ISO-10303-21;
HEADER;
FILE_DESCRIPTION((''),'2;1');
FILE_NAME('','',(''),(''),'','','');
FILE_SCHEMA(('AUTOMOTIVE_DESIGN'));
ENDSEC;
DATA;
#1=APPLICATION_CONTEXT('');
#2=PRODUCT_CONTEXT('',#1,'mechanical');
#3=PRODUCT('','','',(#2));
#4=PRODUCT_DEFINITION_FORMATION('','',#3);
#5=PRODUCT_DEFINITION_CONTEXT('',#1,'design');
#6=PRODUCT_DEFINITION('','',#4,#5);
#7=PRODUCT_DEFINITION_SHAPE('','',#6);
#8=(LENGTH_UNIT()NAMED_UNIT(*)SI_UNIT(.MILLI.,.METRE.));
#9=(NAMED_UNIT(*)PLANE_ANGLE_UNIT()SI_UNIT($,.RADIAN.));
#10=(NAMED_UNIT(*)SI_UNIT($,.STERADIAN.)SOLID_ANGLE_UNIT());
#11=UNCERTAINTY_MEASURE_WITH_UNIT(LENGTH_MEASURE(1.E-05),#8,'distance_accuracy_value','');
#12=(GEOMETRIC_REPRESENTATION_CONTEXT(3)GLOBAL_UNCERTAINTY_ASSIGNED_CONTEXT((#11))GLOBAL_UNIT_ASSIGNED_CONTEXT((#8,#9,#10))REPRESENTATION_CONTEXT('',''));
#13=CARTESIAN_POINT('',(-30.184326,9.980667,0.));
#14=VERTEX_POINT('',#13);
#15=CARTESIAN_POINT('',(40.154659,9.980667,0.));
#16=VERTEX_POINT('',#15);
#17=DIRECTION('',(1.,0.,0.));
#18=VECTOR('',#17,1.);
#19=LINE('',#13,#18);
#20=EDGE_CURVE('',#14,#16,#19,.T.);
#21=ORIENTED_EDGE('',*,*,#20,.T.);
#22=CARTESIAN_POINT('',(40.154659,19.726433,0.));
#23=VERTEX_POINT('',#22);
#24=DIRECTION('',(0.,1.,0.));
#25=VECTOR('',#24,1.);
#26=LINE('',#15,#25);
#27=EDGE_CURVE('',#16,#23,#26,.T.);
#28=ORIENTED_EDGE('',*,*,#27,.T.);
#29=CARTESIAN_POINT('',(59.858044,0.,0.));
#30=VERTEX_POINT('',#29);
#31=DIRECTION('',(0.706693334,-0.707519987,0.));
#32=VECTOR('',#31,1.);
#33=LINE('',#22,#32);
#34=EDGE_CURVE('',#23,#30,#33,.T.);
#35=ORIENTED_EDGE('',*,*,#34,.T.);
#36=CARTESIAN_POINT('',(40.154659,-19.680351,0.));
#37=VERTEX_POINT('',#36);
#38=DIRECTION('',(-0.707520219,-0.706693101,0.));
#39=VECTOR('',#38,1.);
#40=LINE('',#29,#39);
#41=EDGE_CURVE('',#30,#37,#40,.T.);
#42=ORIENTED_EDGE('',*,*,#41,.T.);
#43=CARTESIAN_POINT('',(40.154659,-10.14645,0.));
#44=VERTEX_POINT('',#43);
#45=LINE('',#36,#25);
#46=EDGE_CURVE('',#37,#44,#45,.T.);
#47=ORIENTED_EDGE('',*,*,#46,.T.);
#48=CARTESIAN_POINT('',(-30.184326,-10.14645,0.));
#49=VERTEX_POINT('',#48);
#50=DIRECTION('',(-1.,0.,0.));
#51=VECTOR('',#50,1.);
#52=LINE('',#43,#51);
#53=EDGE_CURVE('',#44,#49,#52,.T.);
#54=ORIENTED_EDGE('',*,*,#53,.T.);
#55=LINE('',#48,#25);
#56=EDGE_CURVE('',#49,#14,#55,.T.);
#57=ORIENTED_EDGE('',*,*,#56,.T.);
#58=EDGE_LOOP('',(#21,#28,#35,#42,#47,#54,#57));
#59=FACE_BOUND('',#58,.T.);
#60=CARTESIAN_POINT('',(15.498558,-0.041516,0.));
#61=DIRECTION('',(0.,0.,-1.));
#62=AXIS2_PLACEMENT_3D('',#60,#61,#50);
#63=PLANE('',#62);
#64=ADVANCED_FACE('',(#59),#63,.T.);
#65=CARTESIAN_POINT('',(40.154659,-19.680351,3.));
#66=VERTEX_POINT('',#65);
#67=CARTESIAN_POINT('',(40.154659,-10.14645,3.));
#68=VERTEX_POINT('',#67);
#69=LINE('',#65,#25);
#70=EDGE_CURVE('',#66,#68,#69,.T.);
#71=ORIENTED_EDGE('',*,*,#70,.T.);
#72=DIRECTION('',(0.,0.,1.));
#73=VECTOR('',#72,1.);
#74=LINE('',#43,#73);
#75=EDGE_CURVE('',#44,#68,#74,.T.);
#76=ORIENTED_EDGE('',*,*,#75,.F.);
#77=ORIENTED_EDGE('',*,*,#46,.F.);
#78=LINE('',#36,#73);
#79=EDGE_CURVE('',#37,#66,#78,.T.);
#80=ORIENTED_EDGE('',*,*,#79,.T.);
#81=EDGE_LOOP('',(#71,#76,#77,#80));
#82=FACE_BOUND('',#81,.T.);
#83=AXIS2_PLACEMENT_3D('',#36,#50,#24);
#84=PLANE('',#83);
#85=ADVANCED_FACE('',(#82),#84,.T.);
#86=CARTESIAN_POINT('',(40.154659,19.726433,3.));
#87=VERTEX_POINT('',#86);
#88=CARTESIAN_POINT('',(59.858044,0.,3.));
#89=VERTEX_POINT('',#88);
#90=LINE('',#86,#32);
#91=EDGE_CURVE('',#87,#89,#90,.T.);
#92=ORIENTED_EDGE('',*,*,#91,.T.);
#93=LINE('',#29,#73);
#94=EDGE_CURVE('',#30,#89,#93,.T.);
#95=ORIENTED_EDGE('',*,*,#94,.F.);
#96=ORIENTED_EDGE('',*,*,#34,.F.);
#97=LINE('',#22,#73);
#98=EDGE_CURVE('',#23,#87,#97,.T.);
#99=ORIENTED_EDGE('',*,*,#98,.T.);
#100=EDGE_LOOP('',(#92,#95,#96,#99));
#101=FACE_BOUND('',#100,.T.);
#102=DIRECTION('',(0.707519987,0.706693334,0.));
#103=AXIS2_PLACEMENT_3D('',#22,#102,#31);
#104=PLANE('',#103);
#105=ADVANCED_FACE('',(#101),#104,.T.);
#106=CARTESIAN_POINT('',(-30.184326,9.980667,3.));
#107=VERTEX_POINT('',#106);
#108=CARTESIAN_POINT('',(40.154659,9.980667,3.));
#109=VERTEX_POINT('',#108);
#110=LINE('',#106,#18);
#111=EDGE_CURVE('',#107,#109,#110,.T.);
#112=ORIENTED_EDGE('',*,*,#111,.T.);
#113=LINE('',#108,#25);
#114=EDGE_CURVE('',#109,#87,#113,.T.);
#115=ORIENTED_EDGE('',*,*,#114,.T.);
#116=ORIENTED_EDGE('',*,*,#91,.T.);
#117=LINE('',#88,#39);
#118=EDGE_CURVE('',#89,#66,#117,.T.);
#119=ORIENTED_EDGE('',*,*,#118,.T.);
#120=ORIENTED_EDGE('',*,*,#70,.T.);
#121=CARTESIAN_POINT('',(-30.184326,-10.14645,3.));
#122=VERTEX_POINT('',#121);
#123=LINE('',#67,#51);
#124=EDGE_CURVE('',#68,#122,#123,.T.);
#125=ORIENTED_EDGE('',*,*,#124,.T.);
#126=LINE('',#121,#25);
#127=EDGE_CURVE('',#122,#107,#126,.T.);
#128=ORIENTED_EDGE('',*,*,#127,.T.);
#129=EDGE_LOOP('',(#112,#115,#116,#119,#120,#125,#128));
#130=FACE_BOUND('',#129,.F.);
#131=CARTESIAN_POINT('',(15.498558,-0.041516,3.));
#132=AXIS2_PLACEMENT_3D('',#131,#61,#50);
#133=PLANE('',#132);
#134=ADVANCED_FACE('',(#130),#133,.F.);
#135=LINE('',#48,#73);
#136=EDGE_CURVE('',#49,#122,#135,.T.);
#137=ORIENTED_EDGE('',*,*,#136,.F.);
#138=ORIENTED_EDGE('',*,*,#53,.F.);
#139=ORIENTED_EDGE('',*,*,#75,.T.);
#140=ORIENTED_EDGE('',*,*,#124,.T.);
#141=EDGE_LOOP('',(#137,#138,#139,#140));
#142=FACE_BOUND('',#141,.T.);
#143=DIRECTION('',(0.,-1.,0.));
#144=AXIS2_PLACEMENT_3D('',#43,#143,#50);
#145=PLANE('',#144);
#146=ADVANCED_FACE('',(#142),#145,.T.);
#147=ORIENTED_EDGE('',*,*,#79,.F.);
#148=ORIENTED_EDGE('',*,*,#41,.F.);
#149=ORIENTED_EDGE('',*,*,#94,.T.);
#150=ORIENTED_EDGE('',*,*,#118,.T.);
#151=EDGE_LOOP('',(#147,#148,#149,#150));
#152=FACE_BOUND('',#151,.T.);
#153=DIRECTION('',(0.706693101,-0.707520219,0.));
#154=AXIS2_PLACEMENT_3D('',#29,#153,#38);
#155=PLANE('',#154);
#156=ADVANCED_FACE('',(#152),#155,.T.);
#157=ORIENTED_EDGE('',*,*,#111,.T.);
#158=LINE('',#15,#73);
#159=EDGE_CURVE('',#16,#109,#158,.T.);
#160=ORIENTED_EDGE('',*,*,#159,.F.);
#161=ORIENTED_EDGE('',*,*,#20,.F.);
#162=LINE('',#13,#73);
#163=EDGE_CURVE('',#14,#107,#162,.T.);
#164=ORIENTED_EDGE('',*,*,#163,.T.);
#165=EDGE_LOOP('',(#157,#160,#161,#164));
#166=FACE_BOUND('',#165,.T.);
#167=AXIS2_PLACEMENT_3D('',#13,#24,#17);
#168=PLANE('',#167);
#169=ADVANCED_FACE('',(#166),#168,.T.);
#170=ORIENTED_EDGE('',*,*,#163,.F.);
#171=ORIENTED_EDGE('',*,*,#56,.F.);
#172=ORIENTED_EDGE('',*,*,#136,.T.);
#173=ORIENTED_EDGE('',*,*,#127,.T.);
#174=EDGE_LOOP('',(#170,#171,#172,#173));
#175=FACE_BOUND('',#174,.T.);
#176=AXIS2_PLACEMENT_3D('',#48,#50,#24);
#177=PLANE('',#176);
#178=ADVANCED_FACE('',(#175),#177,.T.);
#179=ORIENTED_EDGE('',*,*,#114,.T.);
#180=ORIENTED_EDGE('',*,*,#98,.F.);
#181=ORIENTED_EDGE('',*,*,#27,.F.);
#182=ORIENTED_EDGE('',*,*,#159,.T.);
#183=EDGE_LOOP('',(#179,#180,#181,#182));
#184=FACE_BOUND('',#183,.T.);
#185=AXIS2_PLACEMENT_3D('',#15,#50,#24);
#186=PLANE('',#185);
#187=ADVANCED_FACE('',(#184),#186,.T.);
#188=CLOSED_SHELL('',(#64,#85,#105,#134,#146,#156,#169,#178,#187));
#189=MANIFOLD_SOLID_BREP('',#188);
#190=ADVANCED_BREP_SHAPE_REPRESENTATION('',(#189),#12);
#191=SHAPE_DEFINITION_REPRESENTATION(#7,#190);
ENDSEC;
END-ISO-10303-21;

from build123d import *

# Parameters (mm, degrees)
PAD_DEPTH = 3


with BuildPart() as part:
    # Sketch → Pad (new body)
    with BuildSketch(Plane.XY):
        Polygon((-30.184326, -10.14645), (-30.184326, 9.980667), (40.154659, 9.980667), (40.154659, 19.726433), (59.858044, 0), (40.154659, -19.680351), (40.154659, -10.14645), align=None)
    extrude(amount=PAD_DEPTH)


solid = part.part
